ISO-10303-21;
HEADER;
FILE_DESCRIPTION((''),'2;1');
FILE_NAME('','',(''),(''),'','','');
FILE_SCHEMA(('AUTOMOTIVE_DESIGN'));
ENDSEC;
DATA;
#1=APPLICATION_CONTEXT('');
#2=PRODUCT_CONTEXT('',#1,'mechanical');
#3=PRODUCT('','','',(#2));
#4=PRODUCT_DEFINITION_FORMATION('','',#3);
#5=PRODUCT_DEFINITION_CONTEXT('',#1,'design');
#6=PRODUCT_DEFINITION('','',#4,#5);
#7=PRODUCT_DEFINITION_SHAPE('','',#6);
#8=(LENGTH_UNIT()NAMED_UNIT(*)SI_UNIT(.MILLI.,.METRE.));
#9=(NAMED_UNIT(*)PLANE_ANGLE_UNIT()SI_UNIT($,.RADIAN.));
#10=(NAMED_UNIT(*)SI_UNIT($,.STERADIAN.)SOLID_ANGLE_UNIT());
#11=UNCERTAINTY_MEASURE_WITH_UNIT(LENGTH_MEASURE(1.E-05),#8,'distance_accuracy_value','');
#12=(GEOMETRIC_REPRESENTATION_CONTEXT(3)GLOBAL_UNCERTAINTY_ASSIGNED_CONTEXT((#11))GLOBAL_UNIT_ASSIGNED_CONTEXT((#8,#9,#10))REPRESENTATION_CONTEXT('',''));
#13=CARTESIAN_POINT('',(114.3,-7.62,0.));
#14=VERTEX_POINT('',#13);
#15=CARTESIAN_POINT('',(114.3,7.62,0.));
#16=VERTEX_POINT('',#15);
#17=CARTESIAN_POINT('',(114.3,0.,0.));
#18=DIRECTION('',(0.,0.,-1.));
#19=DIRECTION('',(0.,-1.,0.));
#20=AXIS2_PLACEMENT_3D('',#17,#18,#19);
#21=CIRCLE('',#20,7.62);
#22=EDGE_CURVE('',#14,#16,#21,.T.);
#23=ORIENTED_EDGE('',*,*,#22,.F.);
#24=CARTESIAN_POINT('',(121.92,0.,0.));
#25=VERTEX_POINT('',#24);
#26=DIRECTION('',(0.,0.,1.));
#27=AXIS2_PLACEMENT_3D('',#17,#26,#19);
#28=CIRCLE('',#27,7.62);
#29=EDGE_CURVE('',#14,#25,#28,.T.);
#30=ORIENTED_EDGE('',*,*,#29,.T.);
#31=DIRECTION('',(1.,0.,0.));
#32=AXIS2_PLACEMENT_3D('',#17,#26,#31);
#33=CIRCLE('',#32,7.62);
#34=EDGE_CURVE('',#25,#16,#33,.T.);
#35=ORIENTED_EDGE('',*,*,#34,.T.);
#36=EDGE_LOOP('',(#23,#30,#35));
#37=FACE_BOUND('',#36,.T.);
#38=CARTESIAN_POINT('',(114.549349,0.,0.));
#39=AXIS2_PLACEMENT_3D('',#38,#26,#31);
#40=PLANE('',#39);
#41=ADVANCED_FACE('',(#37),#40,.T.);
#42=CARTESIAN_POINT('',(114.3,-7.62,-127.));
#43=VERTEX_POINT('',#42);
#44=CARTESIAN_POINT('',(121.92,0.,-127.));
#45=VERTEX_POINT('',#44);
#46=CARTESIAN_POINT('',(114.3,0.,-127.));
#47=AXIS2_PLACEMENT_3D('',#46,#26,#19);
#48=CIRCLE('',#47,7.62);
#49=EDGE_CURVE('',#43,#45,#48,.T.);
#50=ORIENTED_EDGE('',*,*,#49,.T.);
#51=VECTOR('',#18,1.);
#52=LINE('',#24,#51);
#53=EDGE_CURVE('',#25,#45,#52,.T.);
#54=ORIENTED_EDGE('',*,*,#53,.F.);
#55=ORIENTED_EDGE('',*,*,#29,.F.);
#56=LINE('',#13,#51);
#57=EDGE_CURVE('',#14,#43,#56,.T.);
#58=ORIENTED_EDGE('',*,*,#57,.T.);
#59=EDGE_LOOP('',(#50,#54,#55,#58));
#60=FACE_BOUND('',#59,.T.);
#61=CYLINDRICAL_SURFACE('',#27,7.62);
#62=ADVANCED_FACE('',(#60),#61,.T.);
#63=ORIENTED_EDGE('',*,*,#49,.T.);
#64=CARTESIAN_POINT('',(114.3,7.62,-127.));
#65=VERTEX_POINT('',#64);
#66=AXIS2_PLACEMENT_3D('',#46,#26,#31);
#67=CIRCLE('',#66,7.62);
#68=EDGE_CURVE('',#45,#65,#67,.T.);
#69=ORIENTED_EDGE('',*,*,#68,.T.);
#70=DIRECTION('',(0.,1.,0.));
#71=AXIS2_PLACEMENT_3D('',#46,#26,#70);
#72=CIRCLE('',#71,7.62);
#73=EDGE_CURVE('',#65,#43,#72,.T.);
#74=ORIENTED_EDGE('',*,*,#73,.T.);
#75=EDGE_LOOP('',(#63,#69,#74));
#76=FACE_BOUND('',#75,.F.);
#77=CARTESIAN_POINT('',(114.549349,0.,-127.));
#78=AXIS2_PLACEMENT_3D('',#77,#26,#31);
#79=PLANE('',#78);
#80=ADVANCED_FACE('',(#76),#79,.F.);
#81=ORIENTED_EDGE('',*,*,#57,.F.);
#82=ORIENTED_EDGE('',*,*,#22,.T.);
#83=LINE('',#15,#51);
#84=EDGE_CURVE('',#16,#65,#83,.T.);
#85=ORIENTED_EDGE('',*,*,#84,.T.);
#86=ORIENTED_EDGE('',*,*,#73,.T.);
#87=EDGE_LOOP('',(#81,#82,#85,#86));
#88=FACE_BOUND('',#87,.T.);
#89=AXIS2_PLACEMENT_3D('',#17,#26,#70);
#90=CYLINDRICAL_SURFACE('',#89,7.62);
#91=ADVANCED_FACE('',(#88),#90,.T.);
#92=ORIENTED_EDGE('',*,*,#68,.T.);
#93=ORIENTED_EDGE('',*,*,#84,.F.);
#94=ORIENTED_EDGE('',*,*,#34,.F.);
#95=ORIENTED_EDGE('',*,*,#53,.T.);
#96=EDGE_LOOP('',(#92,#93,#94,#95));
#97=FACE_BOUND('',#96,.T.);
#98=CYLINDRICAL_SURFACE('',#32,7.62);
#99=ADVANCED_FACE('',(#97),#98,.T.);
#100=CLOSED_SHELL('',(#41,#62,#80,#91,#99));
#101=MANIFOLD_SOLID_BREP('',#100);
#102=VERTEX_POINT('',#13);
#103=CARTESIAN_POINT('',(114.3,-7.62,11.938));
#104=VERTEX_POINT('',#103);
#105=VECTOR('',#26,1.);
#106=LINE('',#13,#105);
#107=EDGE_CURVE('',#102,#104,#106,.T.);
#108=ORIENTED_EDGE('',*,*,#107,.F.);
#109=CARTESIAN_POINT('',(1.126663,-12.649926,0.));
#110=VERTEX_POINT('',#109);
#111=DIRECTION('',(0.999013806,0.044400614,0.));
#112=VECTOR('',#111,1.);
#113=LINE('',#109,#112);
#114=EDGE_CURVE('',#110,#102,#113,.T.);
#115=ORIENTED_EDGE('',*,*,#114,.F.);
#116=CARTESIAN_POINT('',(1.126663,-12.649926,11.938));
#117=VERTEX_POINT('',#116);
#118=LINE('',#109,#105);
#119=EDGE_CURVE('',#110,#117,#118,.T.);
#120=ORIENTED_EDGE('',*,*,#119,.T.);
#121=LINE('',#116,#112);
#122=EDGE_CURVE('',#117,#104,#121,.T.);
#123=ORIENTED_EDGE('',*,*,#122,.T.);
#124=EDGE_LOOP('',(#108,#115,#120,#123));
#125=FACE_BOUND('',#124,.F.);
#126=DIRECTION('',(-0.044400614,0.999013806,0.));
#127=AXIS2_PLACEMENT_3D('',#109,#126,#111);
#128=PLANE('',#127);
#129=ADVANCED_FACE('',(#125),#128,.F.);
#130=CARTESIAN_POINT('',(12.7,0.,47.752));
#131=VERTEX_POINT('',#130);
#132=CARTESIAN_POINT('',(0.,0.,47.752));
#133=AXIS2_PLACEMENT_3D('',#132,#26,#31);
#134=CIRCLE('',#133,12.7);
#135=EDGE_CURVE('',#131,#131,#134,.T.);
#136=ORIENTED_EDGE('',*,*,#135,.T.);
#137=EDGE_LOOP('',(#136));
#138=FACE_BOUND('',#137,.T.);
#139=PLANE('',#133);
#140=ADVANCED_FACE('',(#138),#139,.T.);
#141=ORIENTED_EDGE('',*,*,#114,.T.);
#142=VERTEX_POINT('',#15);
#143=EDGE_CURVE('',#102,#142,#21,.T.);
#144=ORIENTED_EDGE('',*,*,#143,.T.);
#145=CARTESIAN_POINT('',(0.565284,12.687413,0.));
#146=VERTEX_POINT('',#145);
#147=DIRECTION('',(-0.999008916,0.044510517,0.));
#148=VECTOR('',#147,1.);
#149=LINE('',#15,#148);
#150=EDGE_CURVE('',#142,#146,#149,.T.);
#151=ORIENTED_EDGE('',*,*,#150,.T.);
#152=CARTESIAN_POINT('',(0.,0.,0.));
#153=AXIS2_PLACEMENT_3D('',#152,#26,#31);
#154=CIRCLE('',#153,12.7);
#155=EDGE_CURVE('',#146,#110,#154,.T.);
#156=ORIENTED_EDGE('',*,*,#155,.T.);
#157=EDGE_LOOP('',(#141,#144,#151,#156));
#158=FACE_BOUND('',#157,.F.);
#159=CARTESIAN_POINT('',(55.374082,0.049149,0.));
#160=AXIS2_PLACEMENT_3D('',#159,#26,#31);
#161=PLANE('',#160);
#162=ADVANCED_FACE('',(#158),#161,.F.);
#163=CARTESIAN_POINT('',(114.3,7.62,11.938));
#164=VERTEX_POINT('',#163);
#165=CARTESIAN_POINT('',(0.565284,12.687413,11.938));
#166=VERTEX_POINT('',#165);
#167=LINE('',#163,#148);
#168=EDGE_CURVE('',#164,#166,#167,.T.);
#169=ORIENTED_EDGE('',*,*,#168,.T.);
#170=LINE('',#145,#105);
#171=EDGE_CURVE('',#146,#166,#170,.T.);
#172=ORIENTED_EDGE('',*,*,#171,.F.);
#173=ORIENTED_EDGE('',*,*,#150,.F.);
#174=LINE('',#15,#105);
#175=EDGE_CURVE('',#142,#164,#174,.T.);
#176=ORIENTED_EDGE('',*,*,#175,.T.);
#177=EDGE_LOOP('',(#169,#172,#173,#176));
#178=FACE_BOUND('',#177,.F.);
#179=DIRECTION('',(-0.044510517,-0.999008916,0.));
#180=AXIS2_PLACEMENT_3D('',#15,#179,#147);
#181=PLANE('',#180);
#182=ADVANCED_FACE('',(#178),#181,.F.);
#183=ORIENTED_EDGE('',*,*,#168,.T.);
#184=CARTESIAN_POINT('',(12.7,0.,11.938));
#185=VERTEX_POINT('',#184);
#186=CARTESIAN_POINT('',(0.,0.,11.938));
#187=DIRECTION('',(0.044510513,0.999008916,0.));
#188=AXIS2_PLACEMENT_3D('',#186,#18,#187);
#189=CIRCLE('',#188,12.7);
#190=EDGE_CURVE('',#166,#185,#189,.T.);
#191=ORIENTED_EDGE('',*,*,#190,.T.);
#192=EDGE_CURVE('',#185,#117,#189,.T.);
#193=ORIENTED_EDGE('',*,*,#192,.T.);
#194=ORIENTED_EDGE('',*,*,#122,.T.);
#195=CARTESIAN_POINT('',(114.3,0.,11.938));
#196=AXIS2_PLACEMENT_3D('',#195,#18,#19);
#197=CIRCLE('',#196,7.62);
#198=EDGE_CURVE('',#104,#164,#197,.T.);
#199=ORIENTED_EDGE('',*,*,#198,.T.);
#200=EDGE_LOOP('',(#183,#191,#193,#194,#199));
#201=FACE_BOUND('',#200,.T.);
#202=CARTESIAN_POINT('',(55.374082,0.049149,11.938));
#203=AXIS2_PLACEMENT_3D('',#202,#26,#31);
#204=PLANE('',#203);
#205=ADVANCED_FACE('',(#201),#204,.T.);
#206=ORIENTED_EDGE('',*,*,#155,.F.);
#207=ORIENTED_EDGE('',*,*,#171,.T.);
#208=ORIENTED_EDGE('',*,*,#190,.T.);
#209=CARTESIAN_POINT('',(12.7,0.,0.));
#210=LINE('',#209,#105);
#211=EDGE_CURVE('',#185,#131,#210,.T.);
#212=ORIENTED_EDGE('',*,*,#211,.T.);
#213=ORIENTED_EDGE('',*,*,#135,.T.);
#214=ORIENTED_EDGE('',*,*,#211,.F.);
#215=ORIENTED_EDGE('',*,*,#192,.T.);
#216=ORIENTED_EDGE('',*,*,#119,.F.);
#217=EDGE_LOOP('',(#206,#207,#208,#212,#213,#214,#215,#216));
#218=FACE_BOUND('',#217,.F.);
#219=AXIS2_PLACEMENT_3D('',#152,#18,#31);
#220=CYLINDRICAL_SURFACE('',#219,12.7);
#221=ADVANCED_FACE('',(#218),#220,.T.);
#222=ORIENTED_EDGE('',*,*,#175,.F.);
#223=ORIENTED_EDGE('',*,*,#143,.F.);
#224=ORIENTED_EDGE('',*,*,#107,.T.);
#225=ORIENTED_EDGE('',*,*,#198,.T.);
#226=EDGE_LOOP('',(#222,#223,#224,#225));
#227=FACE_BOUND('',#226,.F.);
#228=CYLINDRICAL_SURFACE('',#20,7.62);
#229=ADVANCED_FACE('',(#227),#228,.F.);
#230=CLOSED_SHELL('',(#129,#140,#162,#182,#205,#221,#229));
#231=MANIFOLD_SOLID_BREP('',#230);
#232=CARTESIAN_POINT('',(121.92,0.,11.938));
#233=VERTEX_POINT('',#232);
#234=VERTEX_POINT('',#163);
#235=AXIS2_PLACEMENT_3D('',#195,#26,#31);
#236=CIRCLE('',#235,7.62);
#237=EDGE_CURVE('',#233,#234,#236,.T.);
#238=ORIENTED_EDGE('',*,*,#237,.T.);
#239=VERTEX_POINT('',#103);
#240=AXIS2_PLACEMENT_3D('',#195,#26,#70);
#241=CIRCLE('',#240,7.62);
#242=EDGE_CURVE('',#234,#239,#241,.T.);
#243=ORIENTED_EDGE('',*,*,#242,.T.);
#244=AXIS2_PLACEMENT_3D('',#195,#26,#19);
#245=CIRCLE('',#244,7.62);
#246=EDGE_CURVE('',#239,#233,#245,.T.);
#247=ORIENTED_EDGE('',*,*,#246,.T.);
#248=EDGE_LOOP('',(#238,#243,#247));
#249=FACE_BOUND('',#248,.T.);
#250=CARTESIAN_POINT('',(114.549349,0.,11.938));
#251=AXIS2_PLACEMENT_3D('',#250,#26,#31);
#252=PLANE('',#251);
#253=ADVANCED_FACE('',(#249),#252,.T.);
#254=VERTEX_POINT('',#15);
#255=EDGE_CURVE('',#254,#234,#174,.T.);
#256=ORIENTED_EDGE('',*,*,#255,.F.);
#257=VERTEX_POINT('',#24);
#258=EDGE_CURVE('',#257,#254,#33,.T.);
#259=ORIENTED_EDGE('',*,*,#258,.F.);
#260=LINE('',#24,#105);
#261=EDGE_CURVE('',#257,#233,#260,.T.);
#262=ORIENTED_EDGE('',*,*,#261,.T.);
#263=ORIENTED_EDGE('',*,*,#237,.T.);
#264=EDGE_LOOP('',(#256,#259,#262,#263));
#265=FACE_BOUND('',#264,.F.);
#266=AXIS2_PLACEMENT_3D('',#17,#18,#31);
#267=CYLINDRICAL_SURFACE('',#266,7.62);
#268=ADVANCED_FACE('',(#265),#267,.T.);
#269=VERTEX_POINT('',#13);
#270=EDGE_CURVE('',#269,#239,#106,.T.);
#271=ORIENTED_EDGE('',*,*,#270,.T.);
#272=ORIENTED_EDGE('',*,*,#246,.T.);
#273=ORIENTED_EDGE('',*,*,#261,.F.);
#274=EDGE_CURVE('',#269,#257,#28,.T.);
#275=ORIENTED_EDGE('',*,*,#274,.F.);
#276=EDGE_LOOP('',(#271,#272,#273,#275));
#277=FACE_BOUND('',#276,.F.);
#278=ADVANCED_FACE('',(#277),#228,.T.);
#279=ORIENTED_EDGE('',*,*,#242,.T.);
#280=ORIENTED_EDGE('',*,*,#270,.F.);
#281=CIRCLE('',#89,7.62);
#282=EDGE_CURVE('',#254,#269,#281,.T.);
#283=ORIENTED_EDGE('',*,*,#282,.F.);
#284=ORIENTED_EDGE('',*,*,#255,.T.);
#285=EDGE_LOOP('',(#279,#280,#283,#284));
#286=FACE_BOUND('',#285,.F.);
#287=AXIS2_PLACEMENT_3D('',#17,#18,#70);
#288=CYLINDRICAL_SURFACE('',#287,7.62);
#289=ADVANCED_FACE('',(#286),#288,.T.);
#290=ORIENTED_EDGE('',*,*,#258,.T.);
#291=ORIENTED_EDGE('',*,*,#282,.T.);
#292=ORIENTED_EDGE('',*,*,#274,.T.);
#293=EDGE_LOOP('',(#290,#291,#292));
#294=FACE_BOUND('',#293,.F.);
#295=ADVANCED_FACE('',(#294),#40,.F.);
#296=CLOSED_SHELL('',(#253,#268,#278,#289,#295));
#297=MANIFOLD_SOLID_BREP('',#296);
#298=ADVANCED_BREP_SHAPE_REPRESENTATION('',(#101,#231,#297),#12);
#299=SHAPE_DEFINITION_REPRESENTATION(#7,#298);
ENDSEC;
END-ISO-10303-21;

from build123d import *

# Parameters (mm, degrees)
F0_R     = 12.7
F1_DEPTH = 47.752
F3_DEPTH = 11.938
F4_DEPTH = 127
F5_DEPTH = 11.938
F6_DEPTH = 11.938


with BuildPart() as f1:
    # F0 (on Top) → F1 (new body)
    with BuildSketch(Plane.XY):
        Circle(F0_R)
    extrude(amount=F1_DEPTH)

    # F2 (on Top) → F3 (join)
    with BuildSketch(Plane.XY):
        with BuildLine():
            ThreePointArc((0.5652835213, 12.6874132328), (9.1779382413, 8.7781233552), (12.7, 0))
            ThreePointArc((12.7, 0), (9.3701287328, -8.5726709683), (1.126663381, -12.649926072))
            Line((1.126663381, -12.649926072), (114.3, -7.62))
            ThreePointArc((114.3, -7.62), (106.68, 0), (114.3, 7.62))
            Line((114.3, 7.62), (0.5652835213, 12.6874132328))
        make_face()
    extrude(amount=F3_DEPTH)

    # F2 (on Top) → F4 (join)
    with BuildSketch(Plane.XY):
        with BuildLine():
            ThreePointArc((121.92, 0), (119.6881536726, 5.3881536726), (114.3, 7.62))
            ThreePointArc((114.3, 7.62), (106.68, 0), (114.3, -7.62))
            ThreePointArc((114.3, -7.62), (119.6881536726, -5.3881536726), (121.92, 0))
        make_face()
    extrude(amount=-F4_DEPTH)

    # F2 (on Top) → F5 (cut)
    with BuildSketch(Plane.XY):
        with BuildLine():
            ThreePointArc((121.92, 0), (119.6881536726, 5.3881536726), (114.3, 7.62))
            ThreePointArc((114.3, 7.62), (106.68, 0), (114.3, -7.62))
            ThreePointArc((114.3, -7.62), (119.6881536726, -5.3881536726), (121.92, 0))
        make_face()
    extrude(amount=F5_DEPTH, mode=Mode.SUBTRACT)


with BuildPart() as f6:
    # F2 (on Top) → F6 (new body)
    with BuildSketch(Plane.XY):
        with BuildLine():
            ThreePointArc((121.92, 0), (119.6881536726, 5.3881536726), (114.3, 7.62))
            ThreePointArc((114.3, 7.62), (106.68, 0), (114.3, -7.62))
            ThreePointArc((114.3, -7.62), (119.6881536726, -5.3881536726), (121.92, 0))
        make_face()
    extrude(amount=F6_DEPTH)


solid = Compound([f1.part, f6.part])
